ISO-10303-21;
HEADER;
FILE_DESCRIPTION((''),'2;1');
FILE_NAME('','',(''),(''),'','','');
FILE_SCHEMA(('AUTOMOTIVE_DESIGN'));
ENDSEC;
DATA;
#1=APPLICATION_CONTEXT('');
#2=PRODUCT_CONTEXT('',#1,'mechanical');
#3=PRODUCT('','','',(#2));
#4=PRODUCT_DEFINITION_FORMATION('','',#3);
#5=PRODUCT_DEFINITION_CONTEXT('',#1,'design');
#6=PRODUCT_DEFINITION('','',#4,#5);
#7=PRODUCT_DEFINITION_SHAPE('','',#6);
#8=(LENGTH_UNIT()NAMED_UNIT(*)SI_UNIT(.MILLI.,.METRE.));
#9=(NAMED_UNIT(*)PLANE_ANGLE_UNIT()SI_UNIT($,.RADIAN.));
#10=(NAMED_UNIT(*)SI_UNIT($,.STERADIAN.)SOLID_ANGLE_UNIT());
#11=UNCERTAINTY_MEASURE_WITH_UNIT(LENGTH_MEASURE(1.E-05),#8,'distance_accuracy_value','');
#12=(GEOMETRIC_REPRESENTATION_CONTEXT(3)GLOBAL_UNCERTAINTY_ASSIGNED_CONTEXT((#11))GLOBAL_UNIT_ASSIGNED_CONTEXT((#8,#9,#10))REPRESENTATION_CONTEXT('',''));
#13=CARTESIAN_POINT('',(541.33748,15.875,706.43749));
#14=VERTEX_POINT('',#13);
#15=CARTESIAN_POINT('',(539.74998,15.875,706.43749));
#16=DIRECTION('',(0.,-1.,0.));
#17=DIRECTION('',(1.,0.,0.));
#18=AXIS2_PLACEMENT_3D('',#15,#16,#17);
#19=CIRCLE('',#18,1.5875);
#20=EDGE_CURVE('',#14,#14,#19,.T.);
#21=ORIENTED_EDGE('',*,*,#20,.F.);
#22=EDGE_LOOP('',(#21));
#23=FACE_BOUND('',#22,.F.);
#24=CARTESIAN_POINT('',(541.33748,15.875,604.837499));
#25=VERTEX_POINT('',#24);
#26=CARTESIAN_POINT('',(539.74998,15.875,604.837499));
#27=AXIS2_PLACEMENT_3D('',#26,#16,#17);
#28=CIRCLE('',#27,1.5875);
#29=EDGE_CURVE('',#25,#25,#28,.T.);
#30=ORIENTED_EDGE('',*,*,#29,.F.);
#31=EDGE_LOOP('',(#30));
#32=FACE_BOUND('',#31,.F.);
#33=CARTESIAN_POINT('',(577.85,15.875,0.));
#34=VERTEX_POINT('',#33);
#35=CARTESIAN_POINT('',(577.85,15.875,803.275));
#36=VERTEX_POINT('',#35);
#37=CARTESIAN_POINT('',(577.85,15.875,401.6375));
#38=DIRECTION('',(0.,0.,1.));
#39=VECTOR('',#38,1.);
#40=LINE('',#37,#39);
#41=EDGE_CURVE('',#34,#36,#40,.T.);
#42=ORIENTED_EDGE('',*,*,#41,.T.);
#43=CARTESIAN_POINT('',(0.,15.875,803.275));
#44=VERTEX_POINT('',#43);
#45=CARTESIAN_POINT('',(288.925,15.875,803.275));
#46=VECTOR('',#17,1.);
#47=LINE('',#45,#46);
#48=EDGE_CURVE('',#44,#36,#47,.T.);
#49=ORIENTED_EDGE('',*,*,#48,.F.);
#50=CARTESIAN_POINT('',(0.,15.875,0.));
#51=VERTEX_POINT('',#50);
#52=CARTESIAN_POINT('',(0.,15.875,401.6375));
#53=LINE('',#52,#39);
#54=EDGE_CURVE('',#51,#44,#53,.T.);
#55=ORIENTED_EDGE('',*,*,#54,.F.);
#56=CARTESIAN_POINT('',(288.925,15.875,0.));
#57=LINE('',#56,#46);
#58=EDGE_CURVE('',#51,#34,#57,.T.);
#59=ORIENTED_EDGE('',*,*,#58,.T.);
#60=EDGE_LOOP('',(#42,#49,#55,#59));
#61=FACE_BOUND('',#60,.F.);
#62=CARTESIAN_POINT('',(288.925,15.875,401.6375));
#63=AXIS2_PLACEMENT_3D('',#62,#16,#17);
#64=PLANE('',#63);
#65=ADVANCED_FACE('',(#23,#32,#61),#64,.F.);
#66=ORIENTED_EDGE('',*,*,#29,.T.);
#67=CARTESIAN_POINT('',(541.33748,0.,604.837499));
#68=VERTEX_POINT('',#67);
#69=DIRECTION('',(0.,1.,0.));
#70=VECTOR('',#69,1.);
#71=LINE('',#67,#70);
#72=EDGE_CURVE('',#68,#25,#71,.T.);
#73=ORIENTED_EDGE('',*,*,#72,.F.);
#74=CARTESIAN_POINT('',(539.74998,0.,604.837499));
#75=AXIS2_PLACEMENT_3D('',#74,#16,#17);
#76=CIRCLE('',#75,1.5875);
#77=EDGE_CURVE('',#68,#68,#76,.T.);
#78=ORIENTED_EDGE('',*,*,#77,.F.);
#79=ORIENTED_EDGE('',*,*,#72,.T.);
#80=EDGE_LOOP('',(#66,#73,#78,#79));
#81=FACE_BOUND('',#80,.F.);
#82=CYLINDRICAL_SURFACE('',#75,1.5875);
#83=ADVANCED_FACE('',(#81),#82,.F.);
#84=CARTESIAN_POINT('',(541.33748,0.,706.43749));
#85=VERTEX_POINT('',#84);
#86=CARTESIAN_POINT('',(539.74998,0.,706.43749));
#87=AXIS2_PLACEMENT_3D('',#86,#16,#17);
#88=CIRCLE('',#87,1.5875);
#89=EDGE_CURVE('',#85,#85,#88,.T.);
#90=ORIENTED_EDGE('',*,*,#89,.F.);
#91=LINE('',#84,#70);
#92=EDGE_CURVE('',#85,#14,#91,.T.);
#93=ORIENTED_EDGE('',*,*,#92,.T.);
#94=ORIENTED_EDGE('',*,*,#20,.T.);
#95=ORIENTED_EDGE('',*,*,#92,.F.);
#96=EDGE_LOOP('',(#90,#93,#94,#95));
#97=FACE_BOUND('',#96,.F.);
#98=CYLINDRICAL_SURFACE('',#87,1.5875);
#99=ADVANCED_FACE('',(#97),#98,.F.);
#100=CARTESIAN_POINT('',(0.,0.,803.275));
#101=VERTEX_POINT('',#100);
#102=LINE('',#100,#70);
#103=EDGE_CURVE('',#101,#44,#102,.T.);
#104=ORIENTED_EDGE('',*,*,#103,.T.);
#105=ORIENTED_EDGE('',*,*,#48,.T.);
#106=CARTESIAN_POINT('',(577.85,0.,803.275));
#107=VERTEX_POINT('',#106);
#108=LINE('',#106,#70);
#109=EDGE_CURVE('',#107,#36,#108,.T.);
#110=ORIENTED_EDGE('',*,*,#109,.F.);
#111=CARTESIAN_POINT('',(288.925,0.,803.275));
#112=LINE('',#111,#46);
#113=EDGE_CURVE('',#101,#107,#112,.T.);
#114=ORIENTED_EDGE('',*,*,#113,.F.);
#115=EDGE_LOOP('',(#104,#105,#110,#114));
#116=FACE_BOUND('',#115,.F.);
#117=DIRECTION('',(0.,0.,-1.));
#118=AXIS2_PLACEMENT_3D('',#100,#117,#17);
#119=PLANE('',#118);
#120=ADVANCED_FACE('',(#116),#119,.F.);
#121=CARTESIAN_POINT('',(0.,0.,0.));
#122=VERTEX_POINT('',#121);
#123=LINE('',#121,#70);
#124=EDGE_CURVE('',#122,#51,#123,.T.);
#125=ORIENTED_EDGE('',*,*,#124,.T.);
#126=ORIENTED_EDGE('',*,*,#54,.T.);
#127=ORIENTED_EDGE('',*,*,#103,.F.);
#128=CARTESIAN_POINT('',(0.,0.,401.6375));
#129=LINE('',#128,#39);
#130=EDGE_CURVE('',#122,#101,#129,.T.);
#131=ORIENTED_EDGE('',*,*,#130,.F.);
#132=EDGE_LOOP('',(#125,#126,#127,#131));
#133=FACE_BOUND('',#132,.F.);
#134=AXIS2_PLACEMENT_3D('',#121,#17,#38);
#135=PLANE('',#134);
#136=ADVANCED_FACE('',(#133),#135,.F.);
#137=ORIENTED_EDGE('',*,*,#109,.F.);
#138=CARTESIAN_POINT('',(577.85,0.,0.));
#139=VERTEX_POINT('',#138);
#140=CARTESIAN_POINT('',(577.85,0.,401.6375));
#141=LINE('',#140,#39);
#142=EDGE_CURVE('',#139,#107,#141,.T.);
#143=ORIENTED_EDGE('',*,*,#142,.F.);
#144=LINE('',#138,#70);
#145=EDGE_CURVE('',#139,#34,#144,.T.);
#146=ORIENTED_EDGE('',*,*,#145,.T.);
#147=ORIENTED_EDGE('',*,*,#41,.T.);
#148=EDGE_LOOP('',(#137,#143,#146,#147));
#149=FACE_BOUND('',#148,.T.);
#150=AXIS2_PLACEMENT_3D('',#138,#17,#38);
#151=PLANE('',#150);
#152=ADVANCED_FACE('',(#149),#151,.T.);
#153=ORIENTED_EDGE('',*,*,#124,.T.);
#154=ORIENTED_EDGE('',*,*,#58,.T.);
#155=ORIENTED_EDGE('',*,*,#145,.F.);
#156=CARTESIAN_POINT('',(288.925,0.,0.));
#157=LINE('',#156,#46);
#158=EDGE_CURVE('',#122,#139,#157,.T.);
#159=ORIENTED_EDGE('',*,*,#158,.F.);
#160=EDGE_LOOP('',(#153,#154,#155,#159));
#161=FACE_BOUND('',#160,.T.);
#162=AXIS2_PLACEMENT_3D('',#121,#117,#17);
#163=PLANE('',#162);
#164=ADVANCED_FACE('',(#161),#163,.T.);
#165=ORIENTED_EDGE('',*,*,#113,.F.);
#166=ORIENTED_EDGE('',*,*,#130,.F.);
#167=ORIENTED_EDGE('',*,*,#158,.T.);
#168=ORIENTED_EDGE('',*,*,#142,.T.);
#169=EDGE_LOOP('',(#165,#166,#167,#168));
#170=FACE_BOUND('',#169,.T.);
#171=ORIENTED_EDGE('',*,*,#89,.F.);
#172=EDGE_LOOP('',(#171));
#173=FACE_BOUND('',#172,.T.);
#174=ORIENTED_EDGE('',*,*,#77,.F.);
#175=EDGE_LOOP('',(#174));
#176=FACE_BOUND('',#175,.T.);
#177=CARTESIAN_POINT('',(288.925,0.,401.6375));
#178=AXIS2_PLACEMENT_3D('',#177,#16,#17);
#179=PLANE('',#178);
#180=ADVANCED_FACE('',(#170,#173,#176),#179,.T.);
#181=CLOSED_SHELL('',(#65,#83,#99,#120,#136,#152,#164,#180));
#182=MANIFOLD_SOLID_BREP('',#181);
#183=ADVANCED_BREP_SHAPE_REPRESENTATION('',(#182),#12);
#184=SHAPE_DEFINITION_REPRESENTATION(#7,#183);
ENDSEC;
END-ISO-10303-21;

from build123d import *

# Parameters (mm, degrees)
F0_W     = 577.85
F0_H     = 803.275
F1_DEPTH = 15.875
F2_R     = 1.5875
F3_DEPTH = 15.876


with BuildPart() as f1:
    # F0 (on Front) → F1 (new body)
    with BuildSketch(Plane.XZ):
        with Locations((288.925, 401.6375)):
            Rectangle(F0_W, F0_H)
    extrude(amount=-F1_DEPTH)

    # F2 (on face) → F3 (cut, through all)
    with BuildSketch(Plane.XZ):
        with Locations((539.74998, 706.43749)):
            Circle(F2_R)
        with Locations((539.74998, 604.837499)):
            Circle(F2_R)
    extrude(amount=-F3_DEPTH, mode=Mode.SUBTRACT)


solid = f1.part
